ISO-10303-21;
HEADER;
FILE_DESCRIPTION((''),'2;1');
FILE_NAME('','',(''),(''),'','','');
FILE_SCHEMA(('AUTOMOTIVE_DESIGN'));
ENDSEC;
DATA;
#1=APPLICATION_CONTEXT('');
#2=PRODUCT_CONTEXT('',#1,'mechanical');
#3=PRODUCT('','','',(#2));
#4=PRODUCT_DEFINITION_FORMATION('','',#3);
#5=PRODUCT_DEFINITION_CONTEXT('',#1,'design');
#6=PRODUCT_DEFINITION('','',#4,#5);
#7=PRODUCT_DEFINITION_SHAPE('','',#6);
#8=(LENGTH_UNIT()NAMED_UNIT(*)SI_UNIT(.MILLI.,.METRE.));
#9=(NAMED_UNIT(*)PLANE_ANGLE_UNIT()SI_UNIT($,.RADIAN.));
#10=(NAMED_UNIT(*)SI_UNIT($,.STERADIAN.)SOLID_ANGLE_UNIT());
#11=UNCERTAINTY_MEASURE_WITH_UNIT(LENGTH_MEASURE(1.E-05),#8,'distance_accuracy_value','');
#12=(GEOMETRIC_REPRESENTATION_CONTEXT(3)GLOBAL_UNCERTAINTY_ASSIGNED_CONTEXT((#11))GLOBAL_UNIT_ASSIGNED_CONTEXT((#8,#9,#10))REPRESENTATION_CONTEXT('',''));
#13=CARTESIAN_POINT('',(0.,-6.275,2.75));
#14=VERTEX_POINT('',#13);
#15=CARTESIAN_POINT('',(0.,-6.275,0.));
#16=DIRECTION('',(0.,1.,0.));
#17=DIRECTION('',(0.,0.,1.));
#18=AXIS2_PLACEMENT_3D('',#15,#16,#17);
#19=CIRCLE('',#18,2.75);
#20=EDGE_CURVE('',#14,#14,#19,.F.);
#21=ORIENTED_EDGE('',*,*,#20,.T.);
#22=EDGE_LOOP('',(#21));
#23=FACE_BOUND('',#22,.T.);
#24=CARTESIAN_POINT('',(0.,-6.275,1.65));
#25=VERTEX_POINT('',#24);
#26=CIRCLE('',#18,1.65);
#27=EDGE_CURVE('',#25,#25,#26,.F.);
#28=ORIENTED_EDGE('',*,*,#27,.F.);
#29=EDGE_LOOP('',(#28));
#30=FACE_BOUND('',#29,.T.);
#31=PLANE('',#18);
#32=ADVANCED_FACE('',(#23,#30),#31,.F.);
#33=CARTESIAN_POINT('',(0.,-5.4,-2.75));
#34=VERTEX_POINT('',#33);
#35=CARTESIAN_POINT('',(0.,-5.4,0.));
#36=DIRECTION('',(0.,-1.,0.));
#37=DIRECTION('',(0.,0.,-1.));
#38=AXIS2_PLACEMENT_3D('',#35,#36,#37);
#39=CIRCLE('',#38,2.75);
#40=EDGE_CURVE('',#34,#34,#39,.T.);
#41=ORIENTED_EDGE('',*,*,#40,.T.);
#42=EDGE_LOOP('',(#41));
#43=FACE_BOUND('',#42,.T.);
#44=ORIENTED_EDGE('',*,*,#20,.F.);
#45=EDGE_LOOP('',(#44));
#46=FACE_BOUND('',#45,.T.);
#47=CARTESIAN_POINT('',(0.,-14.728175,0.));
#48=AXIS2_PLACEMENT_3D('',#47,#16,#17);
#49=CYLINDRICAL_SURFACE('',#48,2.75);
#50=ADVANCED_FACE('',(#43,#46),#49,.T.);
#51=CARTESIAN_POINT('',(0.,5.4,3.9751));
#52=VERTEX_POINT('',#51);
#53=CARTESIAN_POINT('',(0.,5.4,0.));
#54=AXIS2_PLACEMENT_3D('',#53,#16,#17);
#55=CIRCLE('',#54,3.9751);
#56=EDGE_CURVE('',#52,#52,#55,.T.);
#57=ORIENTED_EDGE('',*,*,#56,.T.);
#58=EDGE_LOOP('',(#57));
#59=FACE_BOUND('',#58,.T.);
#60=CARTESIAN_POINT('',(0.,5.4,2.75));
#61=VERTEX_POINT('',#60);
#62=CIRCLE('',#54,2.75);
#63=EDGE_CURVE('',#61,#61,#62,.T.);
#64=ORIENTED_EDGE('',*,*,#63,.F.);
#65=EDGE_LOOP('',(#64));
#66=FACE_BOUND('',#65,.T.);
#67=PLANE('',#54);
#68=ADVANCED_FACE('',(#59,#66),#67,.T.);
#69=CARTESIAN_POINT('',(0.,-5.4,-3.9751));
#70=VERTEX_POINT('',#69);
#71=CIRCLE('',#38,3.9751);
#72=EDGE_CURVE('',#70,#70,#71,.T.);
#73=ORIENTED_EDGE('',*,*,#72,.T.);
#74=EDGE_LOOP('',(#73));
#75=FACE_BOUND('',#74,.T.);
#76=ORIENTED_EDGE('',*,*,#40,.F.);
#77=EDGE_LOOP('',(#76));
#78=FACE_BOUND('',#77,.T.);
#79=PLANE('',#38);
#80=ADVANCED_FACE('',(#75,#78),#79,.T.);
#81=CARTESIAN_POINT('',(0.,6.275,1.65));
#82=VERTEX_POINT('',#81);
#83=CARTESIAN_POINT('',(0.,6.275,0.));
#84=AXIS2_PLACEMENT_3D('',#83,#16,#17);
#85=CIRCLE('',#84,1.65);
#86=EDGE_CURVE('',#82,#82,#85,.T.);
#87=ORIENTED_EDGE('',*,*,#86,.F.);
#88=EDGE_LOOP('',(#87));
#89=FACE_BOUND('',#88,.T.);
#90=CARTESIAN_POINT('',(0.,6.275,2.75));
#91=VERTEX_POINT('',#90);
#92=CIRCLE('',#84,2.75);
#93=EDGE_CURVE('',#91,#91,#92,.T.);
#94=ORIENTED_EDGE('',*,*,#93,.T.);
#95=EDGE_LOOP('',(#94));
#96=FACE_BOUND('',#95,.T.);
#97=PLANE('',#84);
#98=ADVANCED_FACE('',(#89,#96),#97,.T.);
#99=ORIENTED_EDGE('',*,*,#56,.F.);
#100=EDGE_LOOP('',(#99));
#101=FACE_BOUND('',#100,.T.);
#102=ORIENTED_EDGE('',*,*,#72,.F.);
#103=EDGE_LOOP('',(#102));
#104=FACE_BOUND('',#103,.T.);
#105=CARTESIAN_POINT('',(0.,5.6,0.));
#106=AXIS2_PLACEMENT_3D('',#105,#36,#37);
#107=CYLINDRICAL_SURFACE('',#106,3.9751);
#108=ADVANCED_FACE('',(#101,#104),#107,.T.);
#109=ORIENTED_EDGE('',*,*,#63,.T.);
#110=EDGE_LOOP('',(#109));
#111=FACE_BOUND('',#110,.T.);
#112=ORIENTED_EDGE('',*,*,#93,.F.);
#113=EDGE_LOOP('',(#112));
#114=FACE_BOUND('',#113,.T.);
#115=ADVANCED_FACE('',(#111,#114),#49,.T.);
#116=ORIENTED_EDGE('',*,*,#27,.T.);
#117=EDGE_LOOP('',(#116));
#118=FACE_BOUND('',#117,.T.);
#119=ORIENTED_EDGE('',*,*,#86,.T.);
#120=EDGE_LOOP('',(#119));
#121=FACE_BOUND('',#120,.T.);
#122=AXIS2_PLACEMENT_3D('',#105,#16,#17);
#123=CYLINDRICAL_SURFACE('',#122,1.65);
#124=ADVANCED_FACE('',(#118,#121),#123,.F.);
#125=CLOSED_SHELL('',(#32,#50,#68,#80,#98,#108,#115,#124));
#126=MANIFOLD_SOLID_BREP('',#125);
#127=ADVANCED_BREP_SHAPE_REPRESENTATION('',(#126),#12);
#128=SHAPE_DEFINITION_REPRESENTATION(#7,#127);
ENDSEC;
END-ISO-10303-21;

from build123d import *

# Parameters (mm, degrees)
SKETCH2_R                = 3.9751
BOSS_EXTRUDE1_DEPTH      = 5.6
M4X0_7_TAPPED_HOLE1_D    = 3.3
SKETCH7_R                = 2.75
SKETCH7_R_2              = 1.65
BOSS_EXTRUDE2_DEPTH      = 0.675
BOSS_EXTRUDE2_DEPTH_BACK = 11.875
SKETCH9_R                = 3.9751
SKETCH9_R_2              = 2.75
CUT_EXTRUDE1_DEPTH       = 0.2
SKETCH10_R               = 3.9751
SKETCH10_R_2             = 2.75
CUT_EXTRUDE3_DEPTH       = 0.2


with BuildPart() as part:
    # Sketch2 → Boss-Extrude1 (new, symmetric)
    with BuildSketch(Plane(origin=(0, 0, 0), x_dir=(1, 0, 0), z_dir=(0, 1, 0))):
        with Locations(Location((0, 0, 0), (0, 0, 270))):
            Circle(SKETCH2_R)
    extrude(amount=BOSS_EXTRUDE1_DEPTH, both=True)

    # M4x0.7 Tapped Hole1 (through all)
    with Locations(Plane(origin=(0, 5.6, 0), x_dir=(1, 0, 0), z_dir=(0, 1, 0))):
        with Locations((0, 0)):
            Hole(M4X0_7_TAPPED_HOLE1_D / 2)

    # Sketch7 → Boss-Extrude2 (add, two sides)
    with BuildSketch(Plane(origin=(0, 5.6, 0), x_dir=(1, 0, 0), z_dir=(0, 1, 0))) as boss_extrude2_sk:
        with Locations(Location((0, 0, 0), (0, 0, 270))):
            Circle(SKETCH7_R)
        with Locations(Location((0, 0, 0), (0, 0, 270))):
            Circle(SKETCH7_R_2, mode=Mode.SUBTRACT)
    extrude(amount=BOSS_EXTRUDE2_DEPTH)
    extrude(boss_extrude2_sk.sketch, amount=-BOSS_EXTRUDE2_DEPTH_BACK)

    # Sketch9 → Cut-Extrude1 (cut)
    with BuildSketch(Plane(origin=(0, 5.6, 0), x_dir=(1, 0, 0), z_dir=(0, 1, 0))):
        with Locations(Location((0, 0, 0), (0, 0, 270))):
            Circle(SKETCH9_R)
        with Locations(Location((0, 0, 0), (0, 0, 270))):
            Circle(SKETCH9_R_2, mode=Mode.SUBTRACT)
    extrude(amount=-CUT_EXTRUDE1_DEPTH, mode=Mode.SUBTRACT)

    # Sketch10 → Cut-Extrude3 (cut)
    with BuildSketch(Plane.XZ.offset(5.6)):
        with Locations(Location((0, 0, 0), (0, 0, 270))):
            Circle(SKETCH10_R)
        with Locations(Location((0, 0, 0), (0, 0, 90))):
            Circle(SKETCH10_R_2, mode=Mode.SUBTRACT)
    extrude(amount=-CUT_EXTRUDE3_DEPTH, mode=Mode.SUBTRACT)


solid = part.part
